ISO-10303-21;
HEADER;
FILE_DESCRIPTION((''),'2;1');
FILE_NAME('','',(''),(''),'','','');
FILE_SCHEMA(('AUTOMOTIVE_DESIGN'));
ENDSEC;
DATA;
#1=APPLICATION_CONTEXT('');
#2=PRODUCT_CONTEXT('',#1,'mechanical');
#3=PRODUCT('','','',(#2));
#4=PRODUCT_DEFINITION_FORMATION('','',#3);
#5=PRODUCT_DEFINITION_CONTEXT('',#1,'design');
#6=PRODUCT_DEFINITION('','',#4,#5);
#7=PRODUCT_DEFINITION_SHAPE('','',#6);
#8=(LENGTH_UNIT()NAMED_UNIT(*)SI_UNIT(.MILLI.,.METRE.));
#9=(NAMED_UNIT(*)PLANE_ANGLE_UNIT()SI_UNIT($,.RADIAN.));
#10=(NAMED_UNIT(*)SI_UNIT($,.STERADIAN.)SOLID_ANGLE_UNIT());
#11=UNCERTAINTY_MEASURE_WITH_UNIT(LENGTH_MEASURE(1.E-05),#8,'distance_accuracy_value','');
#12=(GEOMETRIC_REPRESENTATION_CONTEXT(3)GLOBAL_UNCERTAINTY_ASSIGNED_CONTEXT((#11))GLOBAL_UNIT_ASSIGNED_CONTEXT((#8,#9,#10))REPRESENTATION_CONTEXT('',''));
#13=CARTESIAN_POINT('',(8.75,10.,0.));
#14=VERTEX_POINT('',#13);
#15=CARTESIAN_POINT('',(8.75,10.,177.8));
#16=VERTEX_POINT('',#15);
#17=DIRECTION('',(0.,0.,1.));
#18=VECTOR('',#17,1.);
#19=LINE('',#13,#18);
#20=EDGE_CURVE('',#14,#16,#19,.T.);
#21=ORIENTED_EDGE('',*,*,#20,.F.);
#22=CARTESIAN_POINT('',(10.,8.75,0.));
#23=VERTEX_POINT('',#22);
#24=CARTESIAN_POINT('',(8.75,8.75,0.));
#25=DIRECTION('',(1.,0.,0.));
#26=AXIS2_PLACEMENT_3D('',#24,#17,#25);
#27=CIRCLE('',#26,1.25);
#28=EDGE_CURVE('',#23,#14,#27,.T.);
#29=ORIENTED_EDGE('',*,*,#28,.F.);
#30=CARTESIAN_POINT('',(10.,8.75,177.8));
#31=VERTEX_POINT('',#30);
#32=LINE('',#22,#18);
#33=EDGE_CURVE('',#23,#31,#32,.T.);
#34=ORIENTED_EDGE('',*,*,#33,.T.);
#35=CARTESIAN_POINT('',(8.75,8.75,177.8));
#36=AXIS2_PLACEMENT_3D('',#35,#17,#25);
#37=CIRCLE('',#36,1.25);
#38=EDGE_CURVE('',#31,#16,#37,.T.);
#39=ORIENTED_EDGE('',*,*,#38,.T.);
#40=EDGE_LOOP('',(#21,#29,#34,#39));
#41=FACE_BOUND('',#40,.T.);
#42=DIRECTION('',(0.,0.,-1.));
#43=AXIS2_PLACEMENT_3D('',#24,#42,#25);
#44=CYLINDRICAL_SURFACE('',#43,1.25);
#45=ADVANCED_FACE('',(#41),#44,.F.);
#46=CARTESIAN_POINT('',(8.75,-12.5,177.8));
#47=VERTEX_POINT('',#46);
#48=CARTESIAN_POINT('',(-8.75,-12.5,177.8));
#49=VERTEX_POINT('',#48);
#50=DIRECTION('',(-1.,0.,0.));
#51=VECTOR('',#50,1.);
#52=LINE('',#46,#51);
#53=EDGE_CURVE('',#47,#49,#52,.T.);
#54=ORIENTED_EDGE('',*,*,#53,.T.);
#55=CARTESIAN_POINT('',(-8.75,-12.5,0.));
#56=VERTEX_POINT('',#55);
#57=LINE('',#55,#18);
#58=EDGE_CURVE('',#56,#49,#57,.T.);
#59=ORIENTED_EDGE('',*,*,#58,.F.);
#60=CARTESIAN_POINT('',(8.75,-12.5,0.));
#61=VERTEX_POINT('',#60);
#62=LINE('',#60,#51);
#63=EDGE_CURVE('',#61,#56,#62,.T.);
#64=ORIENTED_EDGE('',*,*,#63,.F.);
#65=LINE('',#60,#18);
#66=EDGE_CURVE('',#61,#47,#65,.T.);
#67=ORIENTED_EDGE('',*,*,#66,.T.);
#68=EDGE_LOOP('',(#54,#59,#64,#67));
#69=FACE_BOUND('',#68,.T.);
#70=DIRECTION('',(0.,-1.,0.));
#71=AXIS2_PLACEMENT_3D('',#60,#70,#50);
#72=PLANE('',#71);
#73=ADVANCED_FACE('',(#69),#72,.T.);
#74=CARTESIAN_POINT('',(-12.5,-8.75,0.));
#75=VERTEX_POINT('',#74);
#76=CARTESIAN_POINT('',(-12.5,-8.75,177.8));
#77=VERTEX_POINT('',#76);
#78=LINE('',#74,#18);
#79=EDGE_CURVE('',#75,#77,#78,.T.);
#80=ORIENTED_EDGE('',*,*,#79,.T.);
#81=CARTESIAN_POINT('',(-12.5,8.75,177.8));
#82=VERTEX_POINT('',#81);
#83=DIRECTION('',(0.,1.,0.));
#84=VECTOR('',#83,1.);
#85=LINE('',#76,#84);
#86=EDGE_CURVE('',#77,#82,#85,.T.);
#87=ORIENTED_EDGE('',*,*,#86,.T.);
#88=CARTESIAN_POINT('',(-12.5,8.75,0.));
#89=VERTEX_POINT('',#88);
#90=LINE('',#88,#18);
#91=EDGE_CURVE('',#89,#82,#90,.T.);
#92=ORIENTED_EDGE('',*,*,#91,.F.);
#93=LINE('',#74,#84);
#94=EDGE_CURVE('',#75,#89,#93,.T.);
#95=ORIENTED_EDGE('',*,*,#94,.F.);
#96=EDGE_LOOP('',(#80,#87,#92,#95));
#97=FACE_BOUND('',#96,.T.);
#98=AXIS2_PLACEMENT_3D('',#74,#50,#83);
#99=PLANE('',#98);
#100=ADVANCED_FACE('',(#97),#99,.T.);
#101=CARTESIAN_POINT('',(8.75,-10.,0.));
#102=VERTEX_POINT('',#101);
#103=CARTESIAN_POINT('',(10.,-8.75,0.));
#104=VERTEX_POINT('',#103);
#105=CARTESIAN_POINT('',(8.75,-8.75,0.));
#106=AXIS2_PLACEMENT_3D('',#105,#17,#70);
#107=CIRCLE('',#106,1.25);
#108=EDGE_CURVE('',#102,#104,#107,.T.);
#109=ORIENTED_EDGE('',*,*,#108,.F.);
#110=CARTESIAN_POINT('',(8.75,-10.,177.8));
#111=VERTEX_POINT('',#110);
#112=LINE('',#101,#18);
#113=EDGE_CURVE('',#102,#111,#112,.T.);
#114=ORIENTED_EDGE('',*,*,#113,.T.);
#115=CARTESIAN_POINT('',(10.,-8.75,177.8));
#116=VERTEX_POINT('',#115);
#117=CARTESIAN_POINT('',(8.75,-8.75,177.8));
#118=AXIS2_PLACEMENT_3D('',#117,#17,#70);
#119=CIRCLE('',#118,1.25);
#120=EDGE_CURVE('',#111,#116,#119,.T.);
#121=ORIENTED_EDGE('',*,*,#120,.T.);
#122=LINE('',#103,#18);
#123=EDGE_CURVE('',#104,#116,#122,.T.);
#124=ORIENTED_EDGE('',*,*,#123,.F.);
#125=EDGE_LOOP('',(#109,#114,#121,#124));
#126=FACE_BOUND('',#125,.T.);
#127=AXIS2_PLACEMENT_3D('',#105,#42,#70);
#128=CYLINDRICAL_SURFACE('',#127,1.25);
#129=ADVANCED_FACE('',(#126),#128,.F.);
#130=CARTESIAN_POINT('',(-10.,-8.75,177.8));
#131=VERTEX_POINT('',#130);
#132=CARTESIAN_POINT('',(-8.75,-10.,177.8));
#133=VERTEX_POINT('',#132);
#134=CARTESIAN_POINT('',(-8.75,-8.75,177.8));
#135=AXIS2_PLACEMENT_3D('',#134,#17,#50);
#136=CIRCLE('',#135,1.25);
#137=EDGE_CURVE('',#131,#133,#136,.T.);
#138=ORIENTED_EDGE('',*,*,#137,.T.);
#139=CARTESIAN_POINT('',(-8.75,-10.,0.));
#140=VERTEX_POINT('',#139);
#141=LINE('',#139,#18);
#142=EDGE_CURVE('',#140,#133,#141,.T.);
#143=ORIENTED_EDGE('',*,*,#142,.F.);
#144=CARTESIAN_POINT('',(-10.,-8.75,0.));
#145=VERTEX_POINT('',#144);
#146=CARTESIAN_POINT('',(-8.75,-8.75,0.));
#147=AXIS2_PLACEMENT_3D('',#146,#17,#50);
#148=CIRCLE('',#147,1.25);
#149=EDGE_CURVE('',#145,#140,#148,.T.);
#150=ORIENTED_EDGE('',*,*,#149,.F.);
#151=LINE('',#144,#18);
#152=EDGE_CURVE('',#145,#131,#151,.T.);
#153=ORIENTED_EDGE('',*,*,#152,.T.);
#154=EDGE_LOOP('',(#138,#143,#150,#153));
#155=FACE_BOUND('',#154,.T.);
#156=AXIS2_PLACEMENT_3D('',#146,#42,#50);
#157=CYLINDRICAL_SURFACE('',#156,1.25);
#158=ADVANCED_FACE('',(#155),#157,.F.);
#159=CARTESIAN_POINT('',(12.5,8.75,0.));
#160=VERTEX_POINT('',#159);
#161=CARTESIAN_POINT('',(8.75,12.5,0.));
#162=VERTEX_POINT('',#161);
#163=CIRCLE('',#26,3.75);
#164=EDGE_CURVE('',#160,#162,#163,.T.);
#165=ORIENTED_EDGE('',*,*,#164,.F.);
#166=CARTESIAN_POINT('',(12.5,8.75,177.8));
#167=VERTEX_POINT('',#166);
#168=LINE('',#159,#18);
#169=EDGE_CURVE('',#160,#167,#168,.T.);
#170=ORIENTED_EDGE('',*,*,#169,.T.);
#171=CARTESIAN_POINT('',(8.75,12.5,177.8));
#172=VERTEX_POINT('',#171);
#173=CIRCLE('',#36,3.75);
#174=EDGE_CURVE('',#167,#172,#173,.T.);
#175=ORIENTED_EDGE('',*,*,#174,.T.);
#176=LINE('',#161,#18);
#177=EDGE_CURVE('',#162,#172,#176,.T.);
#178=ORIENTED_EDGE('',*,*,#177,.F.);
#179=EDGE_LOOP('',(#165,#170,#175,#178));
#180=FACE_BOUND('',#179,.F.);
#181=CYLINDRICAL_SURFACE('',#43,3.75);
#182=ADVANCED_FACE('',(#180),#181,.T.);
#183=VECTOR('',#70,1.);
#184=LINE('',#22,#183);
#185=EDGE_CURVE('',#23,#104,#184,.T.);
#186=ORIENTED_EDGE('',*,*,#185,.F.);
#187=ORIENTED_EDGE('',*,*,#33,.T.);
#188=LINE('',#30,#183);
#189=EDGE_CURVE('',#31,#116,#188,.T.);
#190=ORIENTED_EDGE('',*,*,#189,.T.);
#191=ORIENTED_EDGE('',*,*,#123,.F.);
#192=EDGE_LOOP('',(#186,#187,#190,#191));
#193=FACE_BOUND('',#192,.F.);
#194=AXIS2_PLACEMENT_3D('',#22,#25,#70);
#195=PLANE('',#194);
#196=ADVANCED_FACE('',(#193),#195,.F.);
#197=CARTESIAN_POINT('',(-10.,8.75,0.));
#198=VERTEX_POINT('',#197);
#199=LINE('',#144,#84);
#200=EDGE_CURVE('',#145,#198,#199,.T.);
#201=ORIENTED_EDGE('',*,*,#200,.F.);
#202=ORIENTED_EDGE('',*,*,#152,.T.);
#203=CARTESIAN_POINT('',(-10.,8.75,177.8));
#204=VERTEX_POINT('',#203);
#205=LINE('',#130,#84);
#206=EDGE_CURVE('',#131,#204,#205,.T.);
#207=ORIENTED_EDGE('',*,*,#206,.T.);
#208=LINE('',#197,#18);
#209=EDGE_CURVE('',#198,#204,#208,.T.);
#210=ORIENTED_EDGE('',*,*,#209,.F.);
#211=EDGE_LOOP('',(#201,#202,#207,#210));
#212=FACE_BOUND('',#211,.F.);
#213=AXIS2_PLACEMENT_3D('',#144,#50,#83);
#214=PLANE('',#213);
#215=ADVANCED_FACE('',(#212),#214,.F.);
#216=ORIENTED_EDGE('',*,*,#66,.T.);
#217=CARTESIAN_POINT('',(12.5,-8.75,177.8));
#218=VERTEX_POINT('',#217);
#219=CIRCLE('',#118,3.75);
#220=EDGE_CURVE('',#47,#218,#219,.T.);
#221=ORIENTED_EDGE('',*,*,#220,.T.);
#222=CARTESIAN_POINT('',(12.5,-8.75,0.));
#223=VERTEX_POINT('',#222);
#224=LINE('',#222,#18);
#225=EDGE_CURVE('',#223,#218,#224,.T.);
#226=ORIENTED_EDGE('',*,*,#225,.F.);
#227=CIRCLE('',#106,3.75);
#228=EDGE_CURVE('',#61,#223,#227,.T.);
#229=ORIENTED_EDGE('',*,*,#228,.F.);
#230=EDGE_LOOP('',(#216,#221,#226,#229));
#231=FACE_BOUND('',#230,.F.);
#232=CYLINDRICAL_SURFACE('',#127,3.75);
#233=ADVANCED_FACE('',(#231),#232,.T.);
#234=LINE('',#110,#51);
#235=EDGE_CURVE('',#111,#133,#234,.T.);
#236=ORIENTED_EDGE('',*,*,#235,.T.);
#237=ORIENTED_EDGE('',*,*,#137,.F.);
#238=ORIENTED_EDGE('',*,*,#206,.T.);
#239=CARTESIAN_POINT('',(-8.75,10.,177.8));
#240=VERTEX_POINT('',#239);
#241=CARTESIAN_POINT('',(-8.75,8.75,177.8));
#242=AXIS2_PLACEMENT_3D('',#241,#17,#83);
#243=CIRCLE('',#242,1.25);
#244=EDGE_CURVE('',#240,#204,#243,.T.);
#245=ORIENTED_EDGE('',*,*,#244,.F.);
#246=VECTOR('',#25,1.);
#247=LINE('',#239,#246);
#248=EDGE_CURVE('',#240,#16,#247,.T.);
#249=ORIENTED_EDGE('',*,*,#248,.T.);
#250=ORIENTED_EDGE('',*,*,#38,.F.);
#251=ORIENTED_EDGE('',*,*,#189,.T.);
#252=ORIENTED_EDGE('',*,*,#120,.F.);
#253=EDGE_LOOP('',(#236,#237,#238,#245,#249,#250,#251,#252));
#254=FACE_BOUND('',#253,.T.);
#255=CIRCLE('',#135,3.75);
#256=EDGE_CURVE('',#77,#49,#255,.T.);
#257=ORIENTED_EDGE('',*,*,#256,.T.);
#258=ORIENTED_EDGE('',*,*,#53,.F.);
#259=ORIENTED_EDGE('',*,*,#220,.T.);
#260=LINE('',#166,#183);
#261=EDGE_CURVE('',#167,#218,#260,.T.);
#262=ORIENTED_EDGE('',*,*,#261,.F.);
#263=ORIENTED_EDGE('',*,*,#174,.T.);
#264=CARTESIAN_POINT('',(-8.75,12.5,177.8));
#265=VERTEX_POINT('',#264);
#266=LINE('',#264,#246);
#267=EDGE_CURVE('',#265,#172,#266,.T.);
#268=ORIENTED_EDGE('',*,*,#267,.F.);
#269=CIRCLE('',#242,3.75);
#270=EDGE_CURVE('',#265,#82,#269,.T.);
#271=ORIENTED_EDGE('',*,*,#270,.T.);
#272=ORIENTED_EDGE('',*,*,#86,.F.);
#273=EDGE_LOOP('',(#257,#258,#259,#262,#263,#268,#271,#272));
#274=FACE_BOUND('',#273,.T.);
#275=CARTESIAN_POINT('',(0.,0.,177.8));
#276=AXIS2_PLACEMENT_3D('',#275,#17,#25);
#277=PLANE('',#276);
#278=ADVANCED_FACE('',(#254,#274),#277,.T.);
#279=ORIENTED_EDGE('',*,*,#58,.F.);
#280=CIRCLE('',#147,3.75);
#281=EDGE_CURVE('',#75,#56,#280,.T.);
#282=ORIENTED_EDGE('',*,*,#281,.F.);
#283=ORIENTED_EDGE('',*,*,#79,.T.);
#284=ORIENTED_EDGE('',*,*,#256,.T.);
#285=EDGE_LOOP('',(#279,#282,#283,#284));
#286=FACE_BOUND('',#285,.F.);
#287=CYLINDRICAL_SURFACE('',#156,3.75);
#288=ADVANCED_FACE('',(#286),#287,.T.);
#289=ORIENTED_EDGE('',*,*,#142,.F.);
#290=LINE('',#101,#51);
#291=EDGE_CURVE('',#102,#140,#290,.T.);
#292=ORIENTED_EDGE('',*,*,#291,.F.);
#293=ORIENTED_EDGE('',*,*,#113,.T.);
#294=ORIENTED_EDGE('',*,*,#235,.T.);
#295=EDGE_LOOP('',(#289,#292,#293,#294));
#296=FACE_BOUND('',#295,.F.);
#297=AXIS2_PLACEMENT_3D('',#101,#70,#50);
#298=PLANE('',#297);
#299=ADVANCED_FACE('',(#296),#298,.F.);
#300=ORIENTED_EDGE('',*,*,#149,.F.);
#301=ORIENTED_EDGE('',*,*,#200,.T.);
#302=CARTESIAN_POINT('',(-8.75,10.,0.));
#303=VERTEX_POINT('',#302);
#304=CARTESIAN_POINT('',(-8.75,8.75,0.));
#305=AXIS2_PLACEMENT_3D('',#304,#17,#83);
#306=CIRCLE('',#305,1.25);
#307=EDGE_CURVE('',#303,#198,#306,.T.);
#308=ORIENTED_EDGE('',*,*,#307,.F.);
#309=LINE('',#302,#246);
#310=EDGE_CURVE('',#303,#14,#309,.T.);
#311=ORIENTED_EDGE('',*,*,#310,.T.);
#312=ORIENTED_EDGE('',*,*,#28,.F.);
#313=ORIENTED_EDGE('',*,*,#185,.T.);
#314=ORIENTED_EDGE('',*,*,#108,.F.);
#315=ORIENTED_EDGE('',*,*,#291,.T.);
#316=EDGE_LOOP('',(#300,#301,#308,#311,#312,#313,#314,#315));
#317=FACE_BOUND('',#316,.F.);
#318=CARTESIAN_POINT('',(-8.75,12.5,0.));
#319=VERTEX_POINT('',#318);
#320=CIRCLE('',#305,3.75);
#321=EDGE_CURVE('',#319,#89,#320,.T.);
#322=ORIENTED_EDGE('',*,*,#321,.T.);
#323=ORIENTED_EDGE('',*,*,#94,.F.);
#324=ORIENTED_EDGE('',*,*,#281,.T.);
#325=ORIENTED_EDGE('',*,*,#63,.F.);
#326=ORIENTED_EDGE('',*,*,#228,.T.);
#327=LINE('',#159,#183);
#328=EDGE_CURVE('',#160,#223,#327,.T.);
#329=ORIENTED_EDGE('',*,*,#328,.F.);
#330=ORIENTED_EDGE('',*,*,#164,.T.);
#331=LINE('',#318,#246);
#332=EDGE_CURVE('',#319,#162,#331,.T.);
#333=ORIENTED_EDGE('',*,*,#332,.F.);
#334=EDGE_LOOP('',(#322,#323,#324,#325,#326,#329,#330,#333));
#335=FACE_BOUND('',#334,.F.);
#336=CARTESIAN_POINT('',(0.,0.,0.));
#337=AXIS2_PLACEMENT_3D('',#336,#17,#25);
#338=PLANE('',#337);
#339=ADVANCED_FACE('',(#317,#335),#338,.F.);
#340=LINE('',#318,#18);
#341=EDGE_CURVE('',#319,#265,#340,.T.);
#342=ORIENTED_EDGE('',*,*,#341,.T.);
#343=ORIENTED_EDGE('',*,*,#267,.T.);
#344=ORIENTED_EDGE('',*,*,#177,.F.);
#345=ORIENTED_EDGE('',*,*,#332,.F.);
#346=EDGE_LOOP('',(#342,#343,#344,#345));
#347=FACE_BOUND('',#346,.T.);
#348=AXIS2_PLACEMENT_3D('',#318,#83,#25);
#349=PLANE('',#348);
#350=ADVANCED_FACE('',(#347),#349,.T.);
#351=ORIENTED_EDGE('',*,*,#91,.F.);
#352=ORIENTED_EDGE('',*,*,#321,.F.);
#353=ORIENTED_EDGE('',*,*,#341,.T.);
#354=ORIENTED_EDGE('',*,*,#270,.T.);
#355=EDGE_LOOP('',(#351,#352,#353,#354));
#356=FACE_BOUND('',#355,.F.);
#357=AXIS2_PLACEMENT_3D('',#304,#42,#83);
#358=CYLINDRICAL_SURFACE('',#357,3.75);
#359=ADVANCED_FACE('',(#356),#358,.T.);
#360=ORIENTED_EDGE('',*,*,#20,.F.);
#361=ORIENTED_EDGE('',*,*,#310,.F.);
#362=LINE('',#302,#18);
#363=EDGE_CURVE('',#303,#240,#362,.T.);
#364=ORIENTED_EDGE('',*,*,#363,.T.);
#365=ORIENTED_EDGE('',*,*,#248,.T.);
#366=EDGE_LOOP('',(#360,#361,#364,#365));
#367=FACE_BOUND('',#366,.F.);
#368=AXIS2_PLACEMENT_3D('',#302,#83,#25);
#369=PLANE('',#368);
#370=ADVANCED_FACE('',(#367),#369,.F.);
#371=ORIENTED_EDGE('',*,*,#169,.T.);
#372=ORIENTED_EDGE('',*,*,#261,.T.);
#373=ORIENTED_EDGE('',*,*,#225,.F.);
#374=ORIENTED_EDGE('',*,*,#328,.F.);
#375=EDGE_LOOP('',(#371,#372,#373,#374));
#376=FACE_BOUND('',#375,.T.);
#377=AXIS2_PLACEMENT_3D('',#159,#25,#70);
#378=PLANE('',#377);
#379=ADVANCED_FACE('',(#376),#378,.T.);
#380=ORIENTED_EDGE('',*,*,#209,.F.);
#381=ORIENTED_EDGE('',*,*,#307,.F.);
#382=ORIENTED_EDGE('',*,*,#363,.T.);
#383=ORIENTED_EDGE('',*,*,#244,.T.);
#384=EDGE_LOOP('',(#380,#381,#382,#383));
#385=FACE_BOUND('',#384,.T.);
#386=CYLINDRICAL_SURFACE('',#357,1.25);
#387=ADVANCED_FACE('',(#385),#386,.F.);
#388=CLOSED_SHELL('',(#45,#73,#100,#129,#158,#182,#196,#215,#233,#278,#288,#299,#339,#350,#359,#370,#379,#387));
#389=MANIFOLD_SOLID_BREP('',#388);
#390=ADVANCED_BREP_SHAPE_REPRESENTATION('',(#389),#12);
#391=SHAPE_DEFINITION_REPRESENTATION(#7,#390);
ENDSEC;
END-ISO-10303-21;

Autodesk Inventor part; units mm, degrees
ref_plane "YZ Plane" through (0, 0, 0) normal (1, 0, 0) x (0, 1, 0)
ref_plane "Start plane" through (0, 0, 0) normal (0, 0, 1) x (1, 0, 0)
ref_plane "End plane" through (0, 0, 177.8) normal (0, 0, 1) x (1, 0, 0)
sketch "Sketch" plane through (0, 0, 0) normal (0, 0, 1) x (1, 0, 0)
  line L0 (-12.5, -8.75) -> (-12.5, 8.75)
  line L1 (-8.75, 12.5) -> (8.75, 12.5)
  line L2 (12.5, 8.75) -> (12.5, -8.75)
  line L3 (8.75, -12.5) -> (-8.75, -12.5)
  arc A0 (-12.5, -8.75) -> (-8.75, -12.5) centre (-8.75, -8.75) ccw
  arc A1 (-8.75, 12.5) -> (-12.5, 8.75) centre (-8.75, 8.75) ccw
  arc A2 (12.5, 8.75) -> (8.75, 12.5) centre (8.75, 8.75) ccw
  arc A3 (8.75, -12.5) -> (12.5, -8.75) centre (8.75, -8.75) ccw
  arc A4 (-8.75, 10) -> (-10, 8.75) centre (-8.75, 8.75) ccw
  line L4 (-8.75, 10) -> (8.75, 10)
  arc A5 (10, 8.75) -> (8.75, 10) centre (8.75, 8.75) ccw
  line L5 (10, 8.75) -> (10, -8.75)
  arc A6 (8.75, -10) -> (10, -8.75) centre (8.75, -8.75) ccw
  line L6 (8.75, -10) -> (-8.75, -10)
  arc A7 (-10, -8.75) -> (-8.75, -10) centre (-8.75, -8.75) ccw
  line L7 (-10, -8.75) -> (-10, 8.75)
  line L8 (0, 18.5873) -> (0, -18.5873) construction
  line L9 (-18.5873, 0) -> (18.5873, 0) construction
  dimension "d7" = 3.75
  dimension "d10" = 25
  dimension "d11" = 25
  dimension "d12" = 2.5
  dimension "d15" = 12.5
  dimension "d16" = 12.5
extrude "Body" add sketch "Sketch" along normal up to surface (177.8 mm away) from surface at 0
sketch "Sketch3" plane through (0, 0, 0) normal (0, 0, 1) x (1, 0, 0)
  line L0 (0, 0) -> (10, 0)
ref_plane "Work Plane3" through (0, 0, 0) normal (0, -1, 0) x (1, 0, 0)
sketch "Sketch4" plane through (0, 0, 0) normal (0, -1, 0) x (1, 0, 0)
  line L0 (-2, 0) -> (12, 0)
  line L1 (-2, 177.8) -> (12, 177.8)
  dimension "d18" = 177.8
equation "\"d7\" = G_IR"
equation "\"d10\" = G_H"
equation "\"d11\" = G_W"
equation "\"d12\" = G_T"
equation "\"d15\" = 0.5 * d10"
equation "\"d16\" = 0.5 * d11"
equation "\"d3\" = G_L"
equation "\"G_W\" = 25"
equation "\"G_H\" = 25"
equation "\"G_T\" = 2.5"
equation "\"G_IR\" = 3.75"
equation "\"G_L\" = d18"
equation "\"G_OFFSET_START\" = 0"
equation "\"G_OFFSET_END\" = 0"
equation "\"d14\" = G_OFFSET_END + B_L"
equation "\"B_L\" = 177.8"
properties part number "ISO 25x25x2.5 00000001"
